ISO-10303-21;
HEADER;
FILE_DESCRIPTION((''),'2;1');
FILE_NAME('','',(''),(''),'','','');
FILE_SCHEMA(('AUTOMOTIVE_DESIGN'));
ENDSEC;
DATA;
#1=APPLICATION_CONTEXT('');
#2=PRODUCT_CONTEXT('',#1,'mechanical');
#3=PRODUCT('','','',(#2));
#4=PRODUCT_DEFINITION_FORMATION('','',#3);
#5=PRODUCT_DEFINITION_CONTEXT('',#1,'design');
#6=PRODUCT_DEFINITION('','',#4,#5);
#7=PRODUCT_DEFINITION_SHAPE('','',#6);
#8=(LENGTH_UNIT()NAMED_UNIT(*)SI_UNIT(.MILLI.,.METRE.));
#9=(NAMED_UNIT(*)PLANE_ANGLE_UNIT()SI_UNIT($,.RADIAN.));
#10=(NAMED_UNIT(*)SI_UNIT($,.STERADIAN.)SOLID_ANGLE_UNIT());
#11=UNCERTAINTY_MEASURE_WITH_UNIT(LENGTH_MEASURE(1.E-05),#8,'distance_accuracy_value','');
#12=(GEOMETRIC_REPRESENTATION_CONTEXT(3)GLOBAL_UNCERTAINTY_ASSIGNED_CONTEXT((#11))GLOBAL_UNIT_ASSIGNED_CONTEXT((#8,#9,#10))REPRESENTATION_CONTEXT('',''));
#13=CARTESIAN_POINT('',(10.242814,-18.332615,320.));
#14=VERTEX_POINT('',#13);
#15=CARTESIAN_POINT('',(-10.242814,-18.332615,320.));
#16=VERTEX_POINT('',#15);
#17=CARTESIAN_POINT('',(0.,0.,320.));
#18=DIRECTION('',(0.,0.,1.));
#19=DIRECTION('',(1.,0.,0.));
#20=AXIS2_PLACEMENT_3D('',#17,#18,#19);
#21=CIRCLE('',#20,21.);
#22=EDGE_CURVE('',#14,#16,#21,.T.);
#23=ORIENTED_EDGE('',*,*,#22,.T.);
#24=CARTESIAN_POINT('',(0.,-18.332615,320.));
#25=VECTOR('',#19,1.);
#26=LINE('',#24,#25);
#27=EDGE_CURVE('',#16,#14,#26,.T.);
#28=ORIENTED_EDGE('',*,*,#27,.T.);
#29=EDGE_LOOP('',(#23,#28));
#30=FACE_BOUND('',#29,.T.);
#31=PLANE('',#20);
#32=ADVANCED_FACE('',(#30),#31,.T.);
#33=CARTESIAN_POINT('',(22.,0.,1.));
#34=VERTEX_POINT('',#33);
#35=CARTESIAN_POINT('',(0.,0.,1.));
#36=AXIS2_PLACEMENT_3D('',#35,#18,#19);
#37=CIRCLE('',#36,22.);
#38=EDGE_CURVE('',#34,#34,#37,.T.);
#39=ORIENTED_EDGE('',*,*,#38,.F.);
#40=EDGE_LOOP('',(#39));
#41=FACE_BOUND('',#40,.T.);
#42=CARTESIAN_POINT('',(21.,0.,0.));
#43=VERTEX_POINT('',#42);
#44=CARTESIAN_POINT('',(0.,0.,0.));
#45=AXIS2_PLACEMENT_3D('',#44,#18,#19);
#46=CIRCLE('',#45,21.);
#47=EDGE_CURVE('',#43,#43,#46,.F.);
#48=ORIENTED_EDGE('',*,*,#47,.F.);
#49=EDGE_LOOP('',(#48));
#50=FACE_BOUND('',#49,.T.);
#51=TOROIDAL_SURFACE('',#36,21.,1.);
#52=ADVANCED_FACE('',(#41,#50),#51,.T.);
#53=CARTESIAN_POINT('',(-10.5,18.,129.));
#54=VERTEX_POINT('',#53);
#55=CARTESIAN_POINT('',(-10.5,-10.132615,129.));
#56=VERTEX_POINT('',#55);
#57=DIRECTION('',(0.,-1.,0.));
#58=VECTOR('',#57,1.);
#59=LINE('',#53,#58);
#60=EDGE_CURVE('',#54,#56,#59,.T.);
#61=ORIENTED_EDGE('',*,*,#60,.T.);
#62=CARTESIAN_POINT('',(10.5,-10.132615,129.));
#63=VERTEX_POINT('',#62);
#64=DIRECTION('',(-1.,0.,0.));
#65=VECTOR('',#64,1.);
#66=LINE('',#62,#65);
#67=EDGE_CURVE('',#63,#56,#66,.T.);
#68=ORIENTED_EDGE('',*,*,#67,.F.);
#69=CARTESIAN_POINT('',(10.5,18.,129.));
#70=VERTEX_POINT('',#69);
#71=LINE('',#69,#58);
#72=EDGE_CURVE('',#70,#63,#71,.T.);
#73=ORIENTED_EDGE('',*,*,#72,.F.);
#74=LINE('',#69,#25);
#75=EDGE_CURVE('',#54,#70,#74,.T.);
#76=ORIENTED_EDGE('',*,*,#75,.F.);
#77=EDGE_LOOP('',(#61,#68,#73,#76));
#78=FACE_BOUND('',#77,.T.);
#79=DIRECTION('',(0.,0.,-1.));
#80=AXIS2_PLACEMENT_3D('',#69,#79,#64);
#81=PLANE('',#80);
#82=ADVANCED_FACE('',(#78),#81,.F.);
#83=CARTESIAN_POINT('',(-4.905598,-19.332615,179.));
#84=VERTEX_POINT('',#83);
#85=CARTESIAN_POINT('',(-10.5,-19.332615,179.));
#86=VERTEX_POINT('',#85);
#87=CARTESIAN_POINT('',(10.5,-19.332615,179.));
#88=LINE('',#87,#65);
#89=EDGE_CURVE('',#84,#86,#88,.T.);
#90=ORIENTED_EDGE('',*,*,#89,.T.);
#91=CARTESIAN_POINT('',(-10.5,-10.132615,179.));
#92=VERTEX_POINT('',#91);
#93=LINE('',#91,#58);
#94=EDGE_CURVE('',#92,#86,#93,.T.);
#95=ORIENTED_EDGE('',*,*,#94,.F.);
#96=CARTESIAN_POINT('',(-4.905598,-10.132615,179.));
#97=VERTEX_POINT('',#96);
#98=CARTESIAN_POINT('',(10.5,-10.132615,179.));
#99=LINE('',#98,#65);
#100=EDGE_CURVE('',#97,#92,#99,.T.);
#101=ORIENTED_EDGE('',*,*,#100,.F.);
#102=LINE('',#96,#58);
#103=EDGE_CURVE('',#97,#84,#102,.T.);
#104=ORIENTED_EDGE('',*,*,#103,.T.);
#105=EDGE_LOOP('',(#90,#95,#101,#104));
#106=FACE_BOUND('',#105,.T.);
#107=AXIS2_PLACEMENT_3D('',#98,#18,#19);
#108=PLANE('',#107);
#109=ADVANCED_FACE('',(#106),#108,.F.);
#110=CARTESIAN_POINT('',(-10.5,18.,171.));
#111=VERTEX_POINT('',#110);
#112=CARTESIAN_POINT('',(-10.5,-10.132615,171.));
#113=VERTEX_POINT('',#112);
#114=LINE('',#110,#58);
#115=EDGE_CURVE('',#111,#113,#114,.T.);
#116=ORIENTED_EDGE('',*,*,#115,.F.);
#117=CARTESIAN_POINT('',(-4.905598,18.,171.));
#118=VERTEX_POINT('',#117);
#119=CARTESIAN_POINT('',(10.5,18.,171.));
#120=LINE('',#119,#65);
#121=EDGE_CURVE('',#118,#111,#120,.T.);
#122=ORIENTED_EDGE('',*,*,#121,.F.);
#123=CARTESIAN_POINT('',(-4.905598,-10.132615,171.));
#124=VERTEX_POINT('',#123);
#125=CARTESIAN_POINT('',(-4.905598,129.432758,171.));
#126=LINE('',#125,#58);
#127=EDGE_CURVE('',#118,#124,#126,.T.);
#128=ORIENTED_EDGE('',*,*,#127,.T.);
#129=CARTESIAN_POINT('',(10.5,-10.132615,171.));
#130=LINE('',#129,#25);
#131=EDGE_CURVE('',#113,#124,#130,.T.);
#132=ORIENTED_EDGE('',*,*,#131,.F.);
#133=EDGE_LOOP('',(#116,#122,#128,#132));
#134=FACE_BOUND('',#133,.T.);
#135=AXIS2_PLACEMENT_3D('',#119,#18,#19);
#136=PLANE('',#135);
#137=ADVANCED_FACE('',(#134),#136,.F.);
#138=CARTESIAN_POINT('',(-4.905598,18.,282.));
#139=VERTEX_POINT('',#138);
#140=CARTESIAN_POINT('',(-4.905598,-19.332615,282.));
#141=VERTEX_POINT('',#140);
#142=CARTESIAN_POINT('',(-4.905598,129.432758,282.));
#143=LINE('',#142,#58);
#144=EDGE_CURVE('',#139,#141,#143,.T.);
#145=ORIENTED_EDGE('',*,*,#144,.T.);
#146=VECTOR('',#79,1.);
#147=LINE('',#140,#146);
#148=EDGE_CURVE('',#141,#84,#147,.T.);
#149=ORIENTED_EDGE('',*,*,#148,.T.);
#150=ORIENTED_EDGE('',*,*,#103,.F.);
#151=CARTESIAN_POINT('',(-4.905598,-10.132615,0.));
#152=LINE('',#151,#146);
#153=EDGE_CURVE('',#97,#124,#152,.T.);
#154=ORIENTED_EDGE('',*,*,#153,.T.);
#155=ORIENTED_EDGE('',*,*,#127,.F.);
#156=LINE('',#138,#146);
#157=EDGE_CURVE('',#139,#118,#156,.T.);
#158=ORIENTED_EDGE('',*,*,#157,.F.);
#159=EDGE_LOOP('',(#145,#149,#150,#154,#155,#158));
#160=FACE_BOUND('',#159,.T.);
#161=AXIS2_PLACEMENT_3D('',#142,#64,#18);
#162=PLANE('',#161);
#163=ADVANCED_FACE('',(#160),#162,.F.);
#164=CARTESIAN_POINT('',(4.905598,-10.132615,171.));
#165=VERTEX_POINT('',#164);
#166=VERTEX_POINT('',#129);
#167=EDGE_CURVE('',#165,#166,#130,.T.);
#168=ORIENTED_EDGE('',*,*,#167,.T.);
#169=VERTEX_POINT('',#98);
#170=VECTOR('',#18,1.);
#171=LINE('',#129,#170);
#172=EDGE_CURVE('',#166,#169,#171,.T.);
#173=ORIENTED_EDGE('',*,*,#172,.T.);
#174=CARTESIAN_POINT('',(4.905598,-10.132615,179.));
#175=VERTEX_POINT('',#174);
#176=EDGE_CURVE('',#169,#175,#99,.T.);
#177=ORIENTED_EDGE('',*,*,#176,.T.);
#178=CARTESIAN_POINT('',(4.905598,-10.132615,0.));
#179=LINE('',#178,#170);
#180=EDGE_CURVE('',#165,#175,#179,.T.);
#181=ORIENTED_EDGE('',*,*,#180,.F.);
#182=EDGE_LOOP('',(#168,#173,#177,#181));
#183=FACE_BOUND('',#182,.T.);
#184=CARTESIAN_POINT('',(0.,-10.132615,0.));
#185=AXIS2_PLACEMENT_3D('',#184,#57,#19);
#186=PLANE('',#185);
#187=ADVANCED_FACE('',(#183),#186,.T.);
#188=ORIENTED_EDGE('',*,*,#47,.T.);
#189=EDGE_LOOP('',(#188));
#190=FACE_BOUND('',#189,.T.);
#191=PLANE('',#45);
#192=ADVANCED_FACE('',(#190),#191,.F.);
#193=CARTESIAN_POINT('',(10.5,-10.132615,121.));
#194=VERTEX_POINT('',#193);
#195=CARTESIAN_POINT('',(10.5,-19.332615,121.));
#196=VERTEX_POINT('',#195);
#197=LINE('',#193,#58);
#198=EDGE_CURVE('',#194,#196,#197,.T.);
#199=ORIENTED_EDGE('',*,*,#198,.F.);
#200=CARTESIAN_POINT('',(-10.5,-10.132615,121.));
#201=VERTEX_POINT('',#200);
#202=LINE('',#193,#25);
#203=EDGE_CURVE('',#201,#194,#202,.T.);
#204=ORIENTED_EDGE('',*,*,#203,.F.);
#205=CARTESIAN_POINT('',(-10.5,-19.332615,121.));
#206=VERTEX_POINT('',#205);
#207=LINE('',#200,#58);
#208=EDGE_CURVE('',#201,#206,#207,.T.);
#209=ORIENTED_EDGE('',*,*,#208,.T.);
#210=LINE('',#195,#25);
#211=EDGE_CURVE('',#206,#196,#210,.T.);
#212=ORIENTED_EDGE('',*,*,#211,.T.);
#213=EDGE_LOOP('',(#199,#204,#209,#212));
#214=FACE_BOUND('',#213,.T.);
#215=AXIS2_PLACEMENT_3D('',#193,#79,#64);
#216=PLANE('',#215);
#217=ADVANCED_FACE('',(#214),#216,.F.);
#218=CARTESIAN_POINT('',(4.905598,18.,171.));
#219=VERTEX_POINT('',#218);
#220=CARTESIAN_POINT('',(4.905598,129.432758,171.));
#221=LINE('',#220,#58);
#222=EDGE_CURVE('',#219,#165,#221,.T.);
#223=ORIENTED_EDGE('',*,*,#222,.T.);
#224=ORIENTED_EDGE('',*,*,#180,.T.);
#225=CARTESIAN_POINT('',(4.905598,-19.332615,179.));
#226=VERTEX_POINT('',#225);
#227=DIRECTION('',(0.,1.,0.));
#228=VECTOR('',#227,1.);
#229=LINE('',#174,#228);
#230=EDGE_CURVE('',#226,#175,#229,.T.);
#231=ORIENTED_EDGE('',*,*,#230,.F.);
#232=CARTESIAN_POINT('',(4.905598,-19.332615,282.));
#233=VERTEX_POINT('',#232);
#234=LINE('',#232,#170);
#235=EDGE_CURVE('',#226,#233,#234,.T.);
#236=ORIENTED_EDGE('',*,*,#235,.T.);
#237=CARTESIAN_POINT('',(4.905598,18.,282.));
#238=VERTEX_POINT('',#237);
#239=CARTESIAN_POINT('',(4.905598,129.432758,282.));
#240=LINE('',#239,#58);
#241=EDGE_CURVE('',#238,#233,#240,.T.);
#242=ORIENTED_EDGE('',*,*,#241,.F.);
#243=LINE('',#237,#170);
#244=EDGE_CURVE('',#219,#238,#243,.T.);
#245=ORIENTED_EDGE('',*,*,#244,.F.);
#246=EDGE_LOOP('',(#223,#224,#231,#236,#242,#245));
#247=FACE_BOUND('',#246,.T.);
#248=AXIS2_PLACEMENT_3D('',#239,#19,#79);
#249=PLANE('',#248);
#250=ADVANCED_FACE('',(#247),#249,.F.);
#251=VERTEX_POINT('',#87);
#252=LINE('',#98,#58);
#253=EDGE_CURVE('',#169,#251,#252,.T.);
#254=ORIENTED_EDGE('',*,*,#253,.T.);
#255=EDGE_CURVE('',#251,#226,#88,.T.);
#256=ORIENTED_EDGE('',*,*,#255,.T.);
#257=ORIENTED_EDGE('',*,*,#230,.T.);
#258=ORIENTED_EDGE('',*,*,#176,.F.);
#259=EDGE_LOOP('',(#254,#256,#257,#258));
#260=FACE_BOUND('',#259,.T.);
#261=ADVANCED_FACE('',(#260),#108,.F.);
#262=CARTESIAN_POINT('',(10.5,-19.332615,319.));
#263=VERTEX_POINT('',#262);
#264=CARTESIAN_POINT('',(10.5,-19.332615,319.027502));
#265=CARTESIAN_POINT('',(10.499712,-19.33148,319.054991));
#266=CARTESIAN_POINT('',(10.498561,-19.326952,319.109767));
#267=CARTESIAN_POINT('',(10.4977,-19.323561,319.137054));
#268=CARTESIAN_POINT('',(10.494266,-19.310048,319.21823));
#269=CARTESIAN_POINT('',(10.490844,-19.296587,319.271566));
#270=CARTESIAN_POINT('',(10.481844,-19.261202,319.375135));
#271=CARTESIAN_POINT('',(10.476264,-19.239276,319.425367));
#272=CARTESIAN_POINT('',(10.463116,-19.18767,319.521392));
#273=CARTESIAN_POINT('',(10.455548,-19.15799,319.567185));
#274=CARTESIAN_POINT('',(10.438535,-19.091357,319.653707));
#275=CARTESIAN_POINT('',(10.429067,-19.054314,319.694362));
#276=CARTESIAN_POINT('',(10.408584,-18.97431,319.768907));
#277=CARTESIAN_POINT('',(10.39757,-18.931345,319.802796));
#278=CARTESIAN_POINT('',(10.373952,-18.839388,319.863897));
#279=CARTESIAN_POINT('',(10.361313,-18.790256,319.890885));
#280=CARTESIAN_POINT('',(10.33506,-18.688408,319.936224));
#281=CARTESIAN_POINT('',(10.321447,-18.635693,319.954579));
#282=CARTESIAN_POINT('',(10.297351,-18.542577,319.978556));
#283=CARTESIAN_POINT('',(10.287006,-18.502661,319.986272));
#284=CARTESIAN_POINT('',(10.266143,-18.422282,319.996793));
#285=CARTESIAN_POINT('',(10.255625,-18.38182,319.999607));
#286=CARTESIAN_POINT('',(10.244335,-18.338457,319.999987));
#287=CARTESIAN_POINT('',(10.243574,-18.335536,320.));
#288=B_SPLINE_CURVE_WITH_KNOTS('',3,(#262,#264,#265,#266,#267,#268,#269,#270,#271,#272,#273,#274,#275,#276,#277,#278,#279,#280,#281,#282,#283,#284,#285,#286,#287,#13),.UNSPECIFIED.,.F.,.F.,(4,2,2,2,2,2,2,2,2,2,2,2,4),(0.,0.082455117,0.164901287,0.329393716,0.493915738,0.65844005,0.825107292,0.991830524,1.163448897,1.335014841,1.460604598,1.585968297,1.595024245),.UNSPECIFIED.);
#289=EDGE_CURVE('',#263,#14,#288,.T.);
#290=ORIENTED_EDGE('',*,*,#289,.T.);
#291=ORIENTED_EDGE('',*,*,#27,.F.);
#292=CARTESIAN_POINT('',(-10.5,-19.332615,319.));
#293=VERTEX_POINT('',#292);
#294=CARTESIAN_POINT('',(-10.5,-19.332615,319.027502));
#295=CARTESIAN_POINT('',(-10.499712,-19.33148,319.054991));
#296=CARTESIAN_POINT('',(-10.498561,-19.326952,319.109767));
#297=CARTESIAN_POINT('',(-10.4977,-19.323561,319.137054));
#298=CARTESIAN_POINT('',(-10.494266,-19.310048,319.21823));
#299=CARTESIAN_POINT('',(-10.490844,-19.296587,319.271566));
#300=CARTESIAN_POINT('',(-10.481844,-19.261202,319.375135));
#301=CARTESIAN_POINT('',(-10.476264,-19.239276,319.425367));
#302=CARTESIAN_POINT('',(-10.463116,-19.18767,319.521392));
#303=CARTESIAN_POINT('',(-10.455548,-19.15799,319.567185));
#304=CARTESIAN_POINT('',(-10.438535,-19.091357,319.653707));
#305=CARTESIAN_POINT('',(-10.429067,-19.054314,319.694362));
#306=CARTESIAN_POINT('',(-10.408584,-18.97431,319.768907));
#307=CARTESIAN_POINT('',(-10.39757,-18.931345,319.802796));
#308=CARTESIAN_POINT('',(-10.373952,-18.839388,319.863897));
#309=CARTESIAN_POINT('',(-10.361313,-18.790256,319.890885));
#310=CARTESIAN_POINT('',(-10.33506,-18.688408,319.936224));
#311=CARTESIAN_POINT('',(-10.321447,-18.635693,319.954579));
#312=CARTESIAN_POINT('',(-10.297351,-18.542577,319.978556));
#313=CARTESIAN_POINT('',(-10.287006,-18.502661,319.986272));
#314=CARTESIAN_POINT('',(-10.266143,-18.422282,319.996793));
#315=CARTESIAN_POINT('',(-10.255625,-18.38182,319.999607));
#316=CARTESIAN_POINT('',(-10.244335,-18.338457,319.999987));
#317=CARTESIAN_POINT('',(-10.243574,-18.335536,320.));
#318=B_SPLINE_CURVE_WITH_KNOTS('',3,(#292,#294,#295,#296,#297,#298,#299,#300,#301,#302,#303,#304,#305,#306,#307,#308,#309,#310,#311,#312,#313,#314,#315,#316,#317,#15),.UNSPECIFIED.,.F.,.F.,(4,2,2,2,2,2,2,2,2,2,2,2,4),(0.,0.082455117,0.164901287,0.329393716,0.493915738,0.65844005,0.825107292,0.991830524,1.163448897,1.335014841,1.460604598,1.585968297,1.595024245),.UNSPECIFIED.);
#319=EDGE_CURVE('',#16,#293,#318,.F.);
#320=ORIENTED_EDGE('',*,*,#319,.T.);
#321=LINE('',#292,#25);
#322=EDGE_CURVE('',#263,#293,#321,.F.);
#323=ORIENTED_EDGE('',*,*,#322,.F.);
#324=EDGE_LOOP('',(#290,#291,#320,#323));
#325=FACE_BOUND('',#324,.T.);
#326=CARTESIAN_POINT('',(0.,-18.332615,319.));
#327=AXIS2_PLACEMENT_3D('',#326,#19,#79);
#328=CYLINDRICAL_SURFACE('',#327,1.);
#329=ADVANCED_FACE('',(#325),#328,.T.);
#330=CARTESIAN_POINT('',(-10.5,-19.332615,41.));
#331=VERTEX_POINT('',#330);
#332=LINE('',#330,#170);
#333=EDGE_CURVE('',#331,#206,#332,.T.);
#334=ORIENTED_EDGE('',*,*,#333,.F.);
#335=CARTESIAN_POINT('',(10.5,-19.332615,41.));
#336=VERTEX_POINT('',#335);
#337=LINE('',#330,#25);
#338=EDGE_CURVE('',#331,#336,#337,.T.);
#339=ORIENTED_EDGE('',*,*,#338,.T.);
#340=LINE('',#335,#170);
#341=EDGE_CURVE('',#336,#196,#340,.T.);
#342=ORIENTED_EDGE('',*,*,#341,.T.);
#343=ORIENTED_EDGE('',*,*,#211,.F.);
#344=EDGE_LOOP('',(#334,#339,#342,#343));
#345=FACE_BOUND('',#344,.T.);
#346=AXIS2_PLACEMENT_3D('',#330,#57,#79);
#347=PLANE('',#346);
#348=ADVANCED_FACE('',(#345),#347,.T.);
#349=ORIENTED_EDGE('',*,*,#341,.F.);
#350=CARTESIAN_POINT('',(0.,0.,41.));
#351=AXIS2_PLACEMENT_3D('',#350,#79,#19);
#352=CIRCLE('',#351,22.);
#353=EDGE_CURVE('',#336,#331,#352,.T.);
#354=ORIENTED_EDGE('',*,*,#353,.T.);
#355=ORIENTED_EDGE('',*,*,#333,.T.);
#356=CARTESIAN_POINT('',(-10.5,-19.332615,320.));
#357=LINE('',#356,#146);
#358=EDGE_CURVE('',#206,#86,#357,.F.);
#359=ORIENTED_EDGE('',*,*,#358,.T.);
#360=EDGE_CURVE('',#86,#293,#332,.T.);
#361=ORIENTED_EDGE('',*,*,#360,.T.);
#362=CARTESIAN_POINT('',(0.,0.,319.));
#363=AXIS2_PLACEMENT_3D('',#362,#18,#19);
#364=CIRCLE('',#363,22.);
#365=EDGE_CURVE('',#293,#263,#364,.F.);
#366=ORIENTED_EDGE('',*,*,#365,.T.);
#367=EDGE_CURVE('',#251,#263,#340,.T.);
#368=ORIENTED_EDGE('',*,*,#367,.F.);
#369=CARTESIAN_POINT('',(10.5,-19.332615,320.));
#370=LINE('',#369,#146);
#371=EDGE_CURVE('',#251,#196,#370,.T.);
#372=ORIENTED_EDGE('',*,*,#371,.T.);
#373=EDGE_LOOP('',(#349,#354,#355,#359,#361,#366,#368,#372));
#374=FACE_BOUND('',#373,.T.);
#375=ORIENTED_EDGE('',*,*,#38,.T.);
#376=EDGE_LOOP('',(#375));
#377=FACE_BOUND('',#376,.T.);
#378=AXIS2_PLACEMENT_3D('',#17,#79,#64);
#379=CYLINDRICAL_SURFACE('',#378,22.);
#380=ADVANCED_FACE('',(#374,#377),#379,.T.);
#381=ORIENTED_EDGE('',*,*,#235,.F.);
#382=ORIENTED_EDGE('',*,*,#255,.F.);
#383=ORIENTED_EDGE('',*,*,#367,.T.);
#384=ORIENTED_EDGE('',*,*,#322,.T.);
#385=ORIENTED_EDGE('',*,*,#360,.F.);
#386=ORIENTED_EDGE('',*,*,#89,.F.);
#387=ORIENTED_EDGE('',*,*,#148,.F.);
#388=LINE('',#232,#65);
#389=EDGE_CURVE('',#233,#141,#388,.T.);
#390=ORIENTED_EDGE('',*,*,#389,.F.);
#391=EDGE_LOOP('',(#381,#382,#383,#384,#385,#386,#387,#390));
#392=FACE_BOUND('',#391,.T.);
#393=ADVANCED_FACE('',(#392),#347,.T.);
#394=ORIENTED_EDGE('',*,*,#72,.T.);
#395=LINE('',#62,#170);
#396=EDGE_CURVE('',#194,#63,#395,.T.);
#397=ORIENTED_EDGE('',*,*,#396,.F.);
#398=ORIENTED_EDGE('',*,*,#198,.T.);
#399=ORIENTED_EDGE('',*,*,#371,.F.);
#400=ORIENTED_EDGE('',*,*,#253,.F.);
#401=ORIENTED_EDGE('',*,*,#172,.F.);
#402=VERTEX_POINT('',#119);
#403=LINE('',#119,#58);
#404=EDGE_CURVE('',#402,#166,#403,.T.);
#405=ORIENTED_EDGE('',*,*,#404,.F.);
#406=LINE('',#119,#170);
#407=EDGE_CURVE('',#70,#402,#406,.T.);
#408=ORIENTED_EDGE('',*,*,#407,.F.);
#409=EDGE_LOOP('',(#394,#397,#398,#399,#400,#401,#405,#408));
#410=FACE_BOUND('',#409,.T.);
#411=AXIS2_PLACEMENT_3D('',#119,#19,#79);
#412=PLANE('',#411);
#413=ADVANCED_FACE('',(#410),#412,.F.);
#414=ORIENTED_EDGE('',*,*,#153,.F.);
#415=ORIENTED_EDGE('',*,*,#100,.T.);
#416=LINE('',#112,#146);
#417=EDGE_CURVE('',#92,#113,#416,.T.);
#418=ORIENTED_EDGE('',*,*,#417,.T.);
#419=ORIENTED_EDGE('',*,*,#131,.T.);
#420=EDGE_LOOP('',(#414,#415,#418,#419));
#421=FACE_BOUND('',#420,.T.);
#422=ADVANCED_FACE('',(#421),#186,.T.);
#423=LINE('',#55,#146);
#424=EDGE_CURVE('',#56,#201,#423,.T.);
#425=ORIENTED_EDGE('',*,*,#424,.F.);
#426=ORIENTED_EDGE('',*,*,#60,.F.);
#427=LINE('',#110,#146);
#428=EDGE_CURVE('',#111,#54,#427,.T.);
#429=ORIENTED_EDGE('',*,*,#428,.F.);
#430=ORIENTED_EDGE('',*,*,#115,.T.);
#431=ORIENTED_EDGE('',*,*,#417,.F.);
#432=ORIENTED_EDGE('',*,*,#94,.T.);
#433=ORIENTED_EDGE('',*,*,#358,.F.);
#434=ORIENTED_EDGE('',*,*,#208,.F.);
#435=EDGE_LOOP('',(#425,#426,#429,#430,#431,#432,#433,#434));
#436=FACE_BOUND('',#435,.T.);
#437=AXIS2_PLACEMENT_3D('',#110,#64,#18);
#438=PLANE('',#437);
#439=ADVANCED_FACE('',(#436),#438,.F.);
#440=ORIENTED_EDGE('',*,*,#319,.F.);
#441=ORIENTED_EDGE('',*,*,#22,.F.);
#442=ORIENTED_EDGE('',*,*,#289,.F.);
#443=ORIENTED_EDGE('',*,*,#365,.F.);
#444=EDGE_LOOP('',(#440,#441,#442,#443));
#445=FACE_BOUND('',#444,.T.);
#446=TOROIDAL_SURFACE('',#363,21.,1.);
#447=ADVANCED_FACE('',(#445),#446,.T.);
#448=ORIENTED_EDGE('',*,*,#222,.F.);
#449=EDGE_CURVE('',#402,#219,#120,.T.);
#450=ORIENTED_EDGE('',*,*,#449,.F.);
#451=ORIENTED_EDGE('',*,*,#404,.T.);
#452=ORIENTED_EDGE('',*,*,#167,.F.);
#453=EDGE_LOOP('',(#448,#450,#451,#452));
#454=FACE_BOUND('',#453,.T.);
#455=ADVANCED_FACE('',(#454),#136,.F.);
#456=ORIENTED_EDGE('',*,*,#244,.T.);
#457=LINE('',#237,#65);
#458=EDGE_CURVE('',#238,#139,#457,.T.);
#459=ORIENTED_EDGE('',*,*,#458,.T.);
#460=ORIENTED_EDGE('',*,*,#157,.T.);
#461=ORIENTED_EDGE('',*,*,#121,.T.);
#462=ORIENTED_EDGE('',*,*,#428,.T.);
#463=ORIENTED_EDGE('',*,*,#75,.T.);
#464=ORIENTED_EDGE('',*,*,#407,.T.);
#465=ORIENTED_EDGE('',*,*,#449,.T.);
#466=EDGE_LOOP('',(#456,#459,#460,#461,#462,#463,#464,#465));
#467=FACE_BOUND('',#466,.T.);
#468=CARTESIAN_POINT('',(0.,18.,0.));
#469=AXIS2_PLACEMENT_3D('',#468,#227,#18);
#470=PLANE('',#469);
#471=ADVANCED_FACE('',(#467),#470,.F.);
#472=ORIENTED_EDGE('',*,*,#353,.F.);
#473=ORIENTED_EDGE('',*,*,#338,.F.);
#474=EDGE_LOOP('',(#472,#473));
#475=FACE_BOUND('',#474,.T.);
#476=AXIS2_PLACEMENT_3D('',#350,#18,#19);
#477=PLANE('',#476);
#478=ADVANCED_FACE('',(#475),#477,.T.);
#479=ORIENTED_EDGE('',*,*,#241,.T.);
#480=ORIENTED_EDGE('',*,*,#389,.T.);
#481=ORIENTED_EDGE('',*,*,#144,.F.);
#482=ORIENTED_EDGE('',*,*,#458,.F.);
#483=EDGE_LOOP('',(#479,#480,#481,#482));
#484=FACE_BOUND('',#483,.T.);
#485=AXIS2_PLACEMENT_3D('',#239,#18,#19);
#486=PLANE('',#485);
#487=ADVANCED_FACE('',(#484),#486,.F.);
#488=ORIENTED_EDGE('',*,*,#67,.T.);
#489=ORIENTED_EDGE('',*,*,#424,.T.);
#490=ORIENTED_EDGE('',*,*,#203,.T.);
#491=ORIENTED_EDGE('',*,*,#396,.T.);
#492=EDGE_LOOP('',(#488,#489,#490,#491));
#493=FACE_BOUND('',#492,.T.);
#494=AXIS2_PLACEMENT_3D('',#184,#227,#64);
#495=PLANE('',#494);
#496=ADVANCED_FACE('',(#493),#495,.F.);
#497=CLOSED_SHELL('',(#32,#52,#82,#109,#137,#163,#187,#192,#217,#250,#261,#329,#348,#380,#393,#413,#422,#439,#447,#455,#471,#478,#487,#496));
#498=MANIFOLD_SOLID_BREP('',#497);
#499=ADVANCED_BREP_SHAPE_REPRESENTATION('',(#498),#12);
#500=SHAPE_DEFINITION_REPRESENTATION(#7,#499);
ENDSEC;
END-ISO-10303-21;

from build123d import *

# Parameters (mm, degrees)
SKETCH_1_R               = 22
EXTRUDE_1_DEPTH          = 320
SKETCH_3_W               = 21
SKETCH_3_H               = 42
CUT_EXTRUDE_1_DEPTH      = 40
CUT_EXTRUDE_2_DEPTH      = 130
CUT_EXTRUDE_2_DEPTH_BACK = 150
SKETCH_8_W               = 21
SKETCH_8_H               = 8
CUT_EXTRUDE_5_DEPTH      = 9.2
SKETCH_9_W               = 9.811196784
SKETCH_9_H               = 111
CUT_EXTRUDE_6_DEPTH      = 37.332615
FILLET_1_R               = 1
FILLET_2_R               = 1


with BuildPart() as part:
    # Sketch 1 → Extrude 1 (new body)
    with BuildSketch(Plane.XY):
        Circle(SKETCH_1_R)
    extrude(amount=EXTRUDE_1_DEPTH)

    # Sketch 3 → Cut-Extrude 1 (cut)
    with BuildSketch(Plane(origin=(0, -22, 0), x_dir=(-1, 0, 0), z_dir=(0, -1, 0))):
        with Locations((0, -150)):
            Rectangle(SKETCH_3_W, SKETCH_3_H)
    extrude(amount=-CUT_EXTRUDE_1_DEPTH, mode=Mode.SUBTRACT)

    # Sketch 5 → Cut-Extrude 2 (cut, two sides)
    with BuildSketch(Plane(origin=(0, 0, 171), x_dir=(-1, 0, 0), z_dir=(0, 0, -1))) as cut_extrude_2_sk:
        with BuildLine():
            Line((10.5, -19.332614929), (-10.5, -19.332614929))
            ThreePointArc((-10.5, -19.332614929), (0, -22), (10.5, -19.332614929))
        make_face()
    extrude(amount=CUT_EXTRUDE_2_DEPTH, mode=Mode.SUBTRACT)
    extrude(cut_extrude_2_sk.sketch, amount=-CUT_EXTRUDE_2_DEPTH_BACK, mode=Mode.SUBTRACT)

    # Sketch 8 → Cut-Extrude 5 (cut)
    with BuildSketch(Plane(origin=(0, -19.332614929, 0), x_dir=(-1, 0, 0), z_dir=(0, -1, 0))):
        with Locations((0, -175)):
            Rectangle(SKETCH_8_W, SKETCH_8_H)
        with Locations((0, -125)):
            Rectangle(SKETCH_8_W, SKETCH_8_H)
    extrude(amount=-CUT_EXTRUDE_5_DEPTH, mode=Mode.SUBTRACT)

    # Sketch 9 → Cut-Extrude 6 (cut)
    with BuildSketch(Plane(origin=(0, -19.332614929, 0), x_dir=(-1, 0, 0), z_dir=(0, -1, 0))):
        with Locations((0, -226.5)):
            Rectangle(SKETCH_9_W, SKETCH_9_H)
    extrude(amount=-CUT_EXTRUDE_6_DEPTH, mode=Mode.SUBTRACT)

    # Fillet 1
    fillet_1_edges = [part.edges().sort_by_distance(p)[0] for p in [
        (-22, 0, 0),
    ]]
    fillet(fillet_1_edges, radius=FILLET_1_R)

    # Fillet 2
    fillet_2_edges = [part.edges().sort_by_distance(p)[0] for p in [
        (-11.247221879, 18.907670401, 320),
        (0, -19.332614929, 320),
    ]]
    fillet(fillet_2_edges, radius=FILLET_2_R)


solid = part.part
